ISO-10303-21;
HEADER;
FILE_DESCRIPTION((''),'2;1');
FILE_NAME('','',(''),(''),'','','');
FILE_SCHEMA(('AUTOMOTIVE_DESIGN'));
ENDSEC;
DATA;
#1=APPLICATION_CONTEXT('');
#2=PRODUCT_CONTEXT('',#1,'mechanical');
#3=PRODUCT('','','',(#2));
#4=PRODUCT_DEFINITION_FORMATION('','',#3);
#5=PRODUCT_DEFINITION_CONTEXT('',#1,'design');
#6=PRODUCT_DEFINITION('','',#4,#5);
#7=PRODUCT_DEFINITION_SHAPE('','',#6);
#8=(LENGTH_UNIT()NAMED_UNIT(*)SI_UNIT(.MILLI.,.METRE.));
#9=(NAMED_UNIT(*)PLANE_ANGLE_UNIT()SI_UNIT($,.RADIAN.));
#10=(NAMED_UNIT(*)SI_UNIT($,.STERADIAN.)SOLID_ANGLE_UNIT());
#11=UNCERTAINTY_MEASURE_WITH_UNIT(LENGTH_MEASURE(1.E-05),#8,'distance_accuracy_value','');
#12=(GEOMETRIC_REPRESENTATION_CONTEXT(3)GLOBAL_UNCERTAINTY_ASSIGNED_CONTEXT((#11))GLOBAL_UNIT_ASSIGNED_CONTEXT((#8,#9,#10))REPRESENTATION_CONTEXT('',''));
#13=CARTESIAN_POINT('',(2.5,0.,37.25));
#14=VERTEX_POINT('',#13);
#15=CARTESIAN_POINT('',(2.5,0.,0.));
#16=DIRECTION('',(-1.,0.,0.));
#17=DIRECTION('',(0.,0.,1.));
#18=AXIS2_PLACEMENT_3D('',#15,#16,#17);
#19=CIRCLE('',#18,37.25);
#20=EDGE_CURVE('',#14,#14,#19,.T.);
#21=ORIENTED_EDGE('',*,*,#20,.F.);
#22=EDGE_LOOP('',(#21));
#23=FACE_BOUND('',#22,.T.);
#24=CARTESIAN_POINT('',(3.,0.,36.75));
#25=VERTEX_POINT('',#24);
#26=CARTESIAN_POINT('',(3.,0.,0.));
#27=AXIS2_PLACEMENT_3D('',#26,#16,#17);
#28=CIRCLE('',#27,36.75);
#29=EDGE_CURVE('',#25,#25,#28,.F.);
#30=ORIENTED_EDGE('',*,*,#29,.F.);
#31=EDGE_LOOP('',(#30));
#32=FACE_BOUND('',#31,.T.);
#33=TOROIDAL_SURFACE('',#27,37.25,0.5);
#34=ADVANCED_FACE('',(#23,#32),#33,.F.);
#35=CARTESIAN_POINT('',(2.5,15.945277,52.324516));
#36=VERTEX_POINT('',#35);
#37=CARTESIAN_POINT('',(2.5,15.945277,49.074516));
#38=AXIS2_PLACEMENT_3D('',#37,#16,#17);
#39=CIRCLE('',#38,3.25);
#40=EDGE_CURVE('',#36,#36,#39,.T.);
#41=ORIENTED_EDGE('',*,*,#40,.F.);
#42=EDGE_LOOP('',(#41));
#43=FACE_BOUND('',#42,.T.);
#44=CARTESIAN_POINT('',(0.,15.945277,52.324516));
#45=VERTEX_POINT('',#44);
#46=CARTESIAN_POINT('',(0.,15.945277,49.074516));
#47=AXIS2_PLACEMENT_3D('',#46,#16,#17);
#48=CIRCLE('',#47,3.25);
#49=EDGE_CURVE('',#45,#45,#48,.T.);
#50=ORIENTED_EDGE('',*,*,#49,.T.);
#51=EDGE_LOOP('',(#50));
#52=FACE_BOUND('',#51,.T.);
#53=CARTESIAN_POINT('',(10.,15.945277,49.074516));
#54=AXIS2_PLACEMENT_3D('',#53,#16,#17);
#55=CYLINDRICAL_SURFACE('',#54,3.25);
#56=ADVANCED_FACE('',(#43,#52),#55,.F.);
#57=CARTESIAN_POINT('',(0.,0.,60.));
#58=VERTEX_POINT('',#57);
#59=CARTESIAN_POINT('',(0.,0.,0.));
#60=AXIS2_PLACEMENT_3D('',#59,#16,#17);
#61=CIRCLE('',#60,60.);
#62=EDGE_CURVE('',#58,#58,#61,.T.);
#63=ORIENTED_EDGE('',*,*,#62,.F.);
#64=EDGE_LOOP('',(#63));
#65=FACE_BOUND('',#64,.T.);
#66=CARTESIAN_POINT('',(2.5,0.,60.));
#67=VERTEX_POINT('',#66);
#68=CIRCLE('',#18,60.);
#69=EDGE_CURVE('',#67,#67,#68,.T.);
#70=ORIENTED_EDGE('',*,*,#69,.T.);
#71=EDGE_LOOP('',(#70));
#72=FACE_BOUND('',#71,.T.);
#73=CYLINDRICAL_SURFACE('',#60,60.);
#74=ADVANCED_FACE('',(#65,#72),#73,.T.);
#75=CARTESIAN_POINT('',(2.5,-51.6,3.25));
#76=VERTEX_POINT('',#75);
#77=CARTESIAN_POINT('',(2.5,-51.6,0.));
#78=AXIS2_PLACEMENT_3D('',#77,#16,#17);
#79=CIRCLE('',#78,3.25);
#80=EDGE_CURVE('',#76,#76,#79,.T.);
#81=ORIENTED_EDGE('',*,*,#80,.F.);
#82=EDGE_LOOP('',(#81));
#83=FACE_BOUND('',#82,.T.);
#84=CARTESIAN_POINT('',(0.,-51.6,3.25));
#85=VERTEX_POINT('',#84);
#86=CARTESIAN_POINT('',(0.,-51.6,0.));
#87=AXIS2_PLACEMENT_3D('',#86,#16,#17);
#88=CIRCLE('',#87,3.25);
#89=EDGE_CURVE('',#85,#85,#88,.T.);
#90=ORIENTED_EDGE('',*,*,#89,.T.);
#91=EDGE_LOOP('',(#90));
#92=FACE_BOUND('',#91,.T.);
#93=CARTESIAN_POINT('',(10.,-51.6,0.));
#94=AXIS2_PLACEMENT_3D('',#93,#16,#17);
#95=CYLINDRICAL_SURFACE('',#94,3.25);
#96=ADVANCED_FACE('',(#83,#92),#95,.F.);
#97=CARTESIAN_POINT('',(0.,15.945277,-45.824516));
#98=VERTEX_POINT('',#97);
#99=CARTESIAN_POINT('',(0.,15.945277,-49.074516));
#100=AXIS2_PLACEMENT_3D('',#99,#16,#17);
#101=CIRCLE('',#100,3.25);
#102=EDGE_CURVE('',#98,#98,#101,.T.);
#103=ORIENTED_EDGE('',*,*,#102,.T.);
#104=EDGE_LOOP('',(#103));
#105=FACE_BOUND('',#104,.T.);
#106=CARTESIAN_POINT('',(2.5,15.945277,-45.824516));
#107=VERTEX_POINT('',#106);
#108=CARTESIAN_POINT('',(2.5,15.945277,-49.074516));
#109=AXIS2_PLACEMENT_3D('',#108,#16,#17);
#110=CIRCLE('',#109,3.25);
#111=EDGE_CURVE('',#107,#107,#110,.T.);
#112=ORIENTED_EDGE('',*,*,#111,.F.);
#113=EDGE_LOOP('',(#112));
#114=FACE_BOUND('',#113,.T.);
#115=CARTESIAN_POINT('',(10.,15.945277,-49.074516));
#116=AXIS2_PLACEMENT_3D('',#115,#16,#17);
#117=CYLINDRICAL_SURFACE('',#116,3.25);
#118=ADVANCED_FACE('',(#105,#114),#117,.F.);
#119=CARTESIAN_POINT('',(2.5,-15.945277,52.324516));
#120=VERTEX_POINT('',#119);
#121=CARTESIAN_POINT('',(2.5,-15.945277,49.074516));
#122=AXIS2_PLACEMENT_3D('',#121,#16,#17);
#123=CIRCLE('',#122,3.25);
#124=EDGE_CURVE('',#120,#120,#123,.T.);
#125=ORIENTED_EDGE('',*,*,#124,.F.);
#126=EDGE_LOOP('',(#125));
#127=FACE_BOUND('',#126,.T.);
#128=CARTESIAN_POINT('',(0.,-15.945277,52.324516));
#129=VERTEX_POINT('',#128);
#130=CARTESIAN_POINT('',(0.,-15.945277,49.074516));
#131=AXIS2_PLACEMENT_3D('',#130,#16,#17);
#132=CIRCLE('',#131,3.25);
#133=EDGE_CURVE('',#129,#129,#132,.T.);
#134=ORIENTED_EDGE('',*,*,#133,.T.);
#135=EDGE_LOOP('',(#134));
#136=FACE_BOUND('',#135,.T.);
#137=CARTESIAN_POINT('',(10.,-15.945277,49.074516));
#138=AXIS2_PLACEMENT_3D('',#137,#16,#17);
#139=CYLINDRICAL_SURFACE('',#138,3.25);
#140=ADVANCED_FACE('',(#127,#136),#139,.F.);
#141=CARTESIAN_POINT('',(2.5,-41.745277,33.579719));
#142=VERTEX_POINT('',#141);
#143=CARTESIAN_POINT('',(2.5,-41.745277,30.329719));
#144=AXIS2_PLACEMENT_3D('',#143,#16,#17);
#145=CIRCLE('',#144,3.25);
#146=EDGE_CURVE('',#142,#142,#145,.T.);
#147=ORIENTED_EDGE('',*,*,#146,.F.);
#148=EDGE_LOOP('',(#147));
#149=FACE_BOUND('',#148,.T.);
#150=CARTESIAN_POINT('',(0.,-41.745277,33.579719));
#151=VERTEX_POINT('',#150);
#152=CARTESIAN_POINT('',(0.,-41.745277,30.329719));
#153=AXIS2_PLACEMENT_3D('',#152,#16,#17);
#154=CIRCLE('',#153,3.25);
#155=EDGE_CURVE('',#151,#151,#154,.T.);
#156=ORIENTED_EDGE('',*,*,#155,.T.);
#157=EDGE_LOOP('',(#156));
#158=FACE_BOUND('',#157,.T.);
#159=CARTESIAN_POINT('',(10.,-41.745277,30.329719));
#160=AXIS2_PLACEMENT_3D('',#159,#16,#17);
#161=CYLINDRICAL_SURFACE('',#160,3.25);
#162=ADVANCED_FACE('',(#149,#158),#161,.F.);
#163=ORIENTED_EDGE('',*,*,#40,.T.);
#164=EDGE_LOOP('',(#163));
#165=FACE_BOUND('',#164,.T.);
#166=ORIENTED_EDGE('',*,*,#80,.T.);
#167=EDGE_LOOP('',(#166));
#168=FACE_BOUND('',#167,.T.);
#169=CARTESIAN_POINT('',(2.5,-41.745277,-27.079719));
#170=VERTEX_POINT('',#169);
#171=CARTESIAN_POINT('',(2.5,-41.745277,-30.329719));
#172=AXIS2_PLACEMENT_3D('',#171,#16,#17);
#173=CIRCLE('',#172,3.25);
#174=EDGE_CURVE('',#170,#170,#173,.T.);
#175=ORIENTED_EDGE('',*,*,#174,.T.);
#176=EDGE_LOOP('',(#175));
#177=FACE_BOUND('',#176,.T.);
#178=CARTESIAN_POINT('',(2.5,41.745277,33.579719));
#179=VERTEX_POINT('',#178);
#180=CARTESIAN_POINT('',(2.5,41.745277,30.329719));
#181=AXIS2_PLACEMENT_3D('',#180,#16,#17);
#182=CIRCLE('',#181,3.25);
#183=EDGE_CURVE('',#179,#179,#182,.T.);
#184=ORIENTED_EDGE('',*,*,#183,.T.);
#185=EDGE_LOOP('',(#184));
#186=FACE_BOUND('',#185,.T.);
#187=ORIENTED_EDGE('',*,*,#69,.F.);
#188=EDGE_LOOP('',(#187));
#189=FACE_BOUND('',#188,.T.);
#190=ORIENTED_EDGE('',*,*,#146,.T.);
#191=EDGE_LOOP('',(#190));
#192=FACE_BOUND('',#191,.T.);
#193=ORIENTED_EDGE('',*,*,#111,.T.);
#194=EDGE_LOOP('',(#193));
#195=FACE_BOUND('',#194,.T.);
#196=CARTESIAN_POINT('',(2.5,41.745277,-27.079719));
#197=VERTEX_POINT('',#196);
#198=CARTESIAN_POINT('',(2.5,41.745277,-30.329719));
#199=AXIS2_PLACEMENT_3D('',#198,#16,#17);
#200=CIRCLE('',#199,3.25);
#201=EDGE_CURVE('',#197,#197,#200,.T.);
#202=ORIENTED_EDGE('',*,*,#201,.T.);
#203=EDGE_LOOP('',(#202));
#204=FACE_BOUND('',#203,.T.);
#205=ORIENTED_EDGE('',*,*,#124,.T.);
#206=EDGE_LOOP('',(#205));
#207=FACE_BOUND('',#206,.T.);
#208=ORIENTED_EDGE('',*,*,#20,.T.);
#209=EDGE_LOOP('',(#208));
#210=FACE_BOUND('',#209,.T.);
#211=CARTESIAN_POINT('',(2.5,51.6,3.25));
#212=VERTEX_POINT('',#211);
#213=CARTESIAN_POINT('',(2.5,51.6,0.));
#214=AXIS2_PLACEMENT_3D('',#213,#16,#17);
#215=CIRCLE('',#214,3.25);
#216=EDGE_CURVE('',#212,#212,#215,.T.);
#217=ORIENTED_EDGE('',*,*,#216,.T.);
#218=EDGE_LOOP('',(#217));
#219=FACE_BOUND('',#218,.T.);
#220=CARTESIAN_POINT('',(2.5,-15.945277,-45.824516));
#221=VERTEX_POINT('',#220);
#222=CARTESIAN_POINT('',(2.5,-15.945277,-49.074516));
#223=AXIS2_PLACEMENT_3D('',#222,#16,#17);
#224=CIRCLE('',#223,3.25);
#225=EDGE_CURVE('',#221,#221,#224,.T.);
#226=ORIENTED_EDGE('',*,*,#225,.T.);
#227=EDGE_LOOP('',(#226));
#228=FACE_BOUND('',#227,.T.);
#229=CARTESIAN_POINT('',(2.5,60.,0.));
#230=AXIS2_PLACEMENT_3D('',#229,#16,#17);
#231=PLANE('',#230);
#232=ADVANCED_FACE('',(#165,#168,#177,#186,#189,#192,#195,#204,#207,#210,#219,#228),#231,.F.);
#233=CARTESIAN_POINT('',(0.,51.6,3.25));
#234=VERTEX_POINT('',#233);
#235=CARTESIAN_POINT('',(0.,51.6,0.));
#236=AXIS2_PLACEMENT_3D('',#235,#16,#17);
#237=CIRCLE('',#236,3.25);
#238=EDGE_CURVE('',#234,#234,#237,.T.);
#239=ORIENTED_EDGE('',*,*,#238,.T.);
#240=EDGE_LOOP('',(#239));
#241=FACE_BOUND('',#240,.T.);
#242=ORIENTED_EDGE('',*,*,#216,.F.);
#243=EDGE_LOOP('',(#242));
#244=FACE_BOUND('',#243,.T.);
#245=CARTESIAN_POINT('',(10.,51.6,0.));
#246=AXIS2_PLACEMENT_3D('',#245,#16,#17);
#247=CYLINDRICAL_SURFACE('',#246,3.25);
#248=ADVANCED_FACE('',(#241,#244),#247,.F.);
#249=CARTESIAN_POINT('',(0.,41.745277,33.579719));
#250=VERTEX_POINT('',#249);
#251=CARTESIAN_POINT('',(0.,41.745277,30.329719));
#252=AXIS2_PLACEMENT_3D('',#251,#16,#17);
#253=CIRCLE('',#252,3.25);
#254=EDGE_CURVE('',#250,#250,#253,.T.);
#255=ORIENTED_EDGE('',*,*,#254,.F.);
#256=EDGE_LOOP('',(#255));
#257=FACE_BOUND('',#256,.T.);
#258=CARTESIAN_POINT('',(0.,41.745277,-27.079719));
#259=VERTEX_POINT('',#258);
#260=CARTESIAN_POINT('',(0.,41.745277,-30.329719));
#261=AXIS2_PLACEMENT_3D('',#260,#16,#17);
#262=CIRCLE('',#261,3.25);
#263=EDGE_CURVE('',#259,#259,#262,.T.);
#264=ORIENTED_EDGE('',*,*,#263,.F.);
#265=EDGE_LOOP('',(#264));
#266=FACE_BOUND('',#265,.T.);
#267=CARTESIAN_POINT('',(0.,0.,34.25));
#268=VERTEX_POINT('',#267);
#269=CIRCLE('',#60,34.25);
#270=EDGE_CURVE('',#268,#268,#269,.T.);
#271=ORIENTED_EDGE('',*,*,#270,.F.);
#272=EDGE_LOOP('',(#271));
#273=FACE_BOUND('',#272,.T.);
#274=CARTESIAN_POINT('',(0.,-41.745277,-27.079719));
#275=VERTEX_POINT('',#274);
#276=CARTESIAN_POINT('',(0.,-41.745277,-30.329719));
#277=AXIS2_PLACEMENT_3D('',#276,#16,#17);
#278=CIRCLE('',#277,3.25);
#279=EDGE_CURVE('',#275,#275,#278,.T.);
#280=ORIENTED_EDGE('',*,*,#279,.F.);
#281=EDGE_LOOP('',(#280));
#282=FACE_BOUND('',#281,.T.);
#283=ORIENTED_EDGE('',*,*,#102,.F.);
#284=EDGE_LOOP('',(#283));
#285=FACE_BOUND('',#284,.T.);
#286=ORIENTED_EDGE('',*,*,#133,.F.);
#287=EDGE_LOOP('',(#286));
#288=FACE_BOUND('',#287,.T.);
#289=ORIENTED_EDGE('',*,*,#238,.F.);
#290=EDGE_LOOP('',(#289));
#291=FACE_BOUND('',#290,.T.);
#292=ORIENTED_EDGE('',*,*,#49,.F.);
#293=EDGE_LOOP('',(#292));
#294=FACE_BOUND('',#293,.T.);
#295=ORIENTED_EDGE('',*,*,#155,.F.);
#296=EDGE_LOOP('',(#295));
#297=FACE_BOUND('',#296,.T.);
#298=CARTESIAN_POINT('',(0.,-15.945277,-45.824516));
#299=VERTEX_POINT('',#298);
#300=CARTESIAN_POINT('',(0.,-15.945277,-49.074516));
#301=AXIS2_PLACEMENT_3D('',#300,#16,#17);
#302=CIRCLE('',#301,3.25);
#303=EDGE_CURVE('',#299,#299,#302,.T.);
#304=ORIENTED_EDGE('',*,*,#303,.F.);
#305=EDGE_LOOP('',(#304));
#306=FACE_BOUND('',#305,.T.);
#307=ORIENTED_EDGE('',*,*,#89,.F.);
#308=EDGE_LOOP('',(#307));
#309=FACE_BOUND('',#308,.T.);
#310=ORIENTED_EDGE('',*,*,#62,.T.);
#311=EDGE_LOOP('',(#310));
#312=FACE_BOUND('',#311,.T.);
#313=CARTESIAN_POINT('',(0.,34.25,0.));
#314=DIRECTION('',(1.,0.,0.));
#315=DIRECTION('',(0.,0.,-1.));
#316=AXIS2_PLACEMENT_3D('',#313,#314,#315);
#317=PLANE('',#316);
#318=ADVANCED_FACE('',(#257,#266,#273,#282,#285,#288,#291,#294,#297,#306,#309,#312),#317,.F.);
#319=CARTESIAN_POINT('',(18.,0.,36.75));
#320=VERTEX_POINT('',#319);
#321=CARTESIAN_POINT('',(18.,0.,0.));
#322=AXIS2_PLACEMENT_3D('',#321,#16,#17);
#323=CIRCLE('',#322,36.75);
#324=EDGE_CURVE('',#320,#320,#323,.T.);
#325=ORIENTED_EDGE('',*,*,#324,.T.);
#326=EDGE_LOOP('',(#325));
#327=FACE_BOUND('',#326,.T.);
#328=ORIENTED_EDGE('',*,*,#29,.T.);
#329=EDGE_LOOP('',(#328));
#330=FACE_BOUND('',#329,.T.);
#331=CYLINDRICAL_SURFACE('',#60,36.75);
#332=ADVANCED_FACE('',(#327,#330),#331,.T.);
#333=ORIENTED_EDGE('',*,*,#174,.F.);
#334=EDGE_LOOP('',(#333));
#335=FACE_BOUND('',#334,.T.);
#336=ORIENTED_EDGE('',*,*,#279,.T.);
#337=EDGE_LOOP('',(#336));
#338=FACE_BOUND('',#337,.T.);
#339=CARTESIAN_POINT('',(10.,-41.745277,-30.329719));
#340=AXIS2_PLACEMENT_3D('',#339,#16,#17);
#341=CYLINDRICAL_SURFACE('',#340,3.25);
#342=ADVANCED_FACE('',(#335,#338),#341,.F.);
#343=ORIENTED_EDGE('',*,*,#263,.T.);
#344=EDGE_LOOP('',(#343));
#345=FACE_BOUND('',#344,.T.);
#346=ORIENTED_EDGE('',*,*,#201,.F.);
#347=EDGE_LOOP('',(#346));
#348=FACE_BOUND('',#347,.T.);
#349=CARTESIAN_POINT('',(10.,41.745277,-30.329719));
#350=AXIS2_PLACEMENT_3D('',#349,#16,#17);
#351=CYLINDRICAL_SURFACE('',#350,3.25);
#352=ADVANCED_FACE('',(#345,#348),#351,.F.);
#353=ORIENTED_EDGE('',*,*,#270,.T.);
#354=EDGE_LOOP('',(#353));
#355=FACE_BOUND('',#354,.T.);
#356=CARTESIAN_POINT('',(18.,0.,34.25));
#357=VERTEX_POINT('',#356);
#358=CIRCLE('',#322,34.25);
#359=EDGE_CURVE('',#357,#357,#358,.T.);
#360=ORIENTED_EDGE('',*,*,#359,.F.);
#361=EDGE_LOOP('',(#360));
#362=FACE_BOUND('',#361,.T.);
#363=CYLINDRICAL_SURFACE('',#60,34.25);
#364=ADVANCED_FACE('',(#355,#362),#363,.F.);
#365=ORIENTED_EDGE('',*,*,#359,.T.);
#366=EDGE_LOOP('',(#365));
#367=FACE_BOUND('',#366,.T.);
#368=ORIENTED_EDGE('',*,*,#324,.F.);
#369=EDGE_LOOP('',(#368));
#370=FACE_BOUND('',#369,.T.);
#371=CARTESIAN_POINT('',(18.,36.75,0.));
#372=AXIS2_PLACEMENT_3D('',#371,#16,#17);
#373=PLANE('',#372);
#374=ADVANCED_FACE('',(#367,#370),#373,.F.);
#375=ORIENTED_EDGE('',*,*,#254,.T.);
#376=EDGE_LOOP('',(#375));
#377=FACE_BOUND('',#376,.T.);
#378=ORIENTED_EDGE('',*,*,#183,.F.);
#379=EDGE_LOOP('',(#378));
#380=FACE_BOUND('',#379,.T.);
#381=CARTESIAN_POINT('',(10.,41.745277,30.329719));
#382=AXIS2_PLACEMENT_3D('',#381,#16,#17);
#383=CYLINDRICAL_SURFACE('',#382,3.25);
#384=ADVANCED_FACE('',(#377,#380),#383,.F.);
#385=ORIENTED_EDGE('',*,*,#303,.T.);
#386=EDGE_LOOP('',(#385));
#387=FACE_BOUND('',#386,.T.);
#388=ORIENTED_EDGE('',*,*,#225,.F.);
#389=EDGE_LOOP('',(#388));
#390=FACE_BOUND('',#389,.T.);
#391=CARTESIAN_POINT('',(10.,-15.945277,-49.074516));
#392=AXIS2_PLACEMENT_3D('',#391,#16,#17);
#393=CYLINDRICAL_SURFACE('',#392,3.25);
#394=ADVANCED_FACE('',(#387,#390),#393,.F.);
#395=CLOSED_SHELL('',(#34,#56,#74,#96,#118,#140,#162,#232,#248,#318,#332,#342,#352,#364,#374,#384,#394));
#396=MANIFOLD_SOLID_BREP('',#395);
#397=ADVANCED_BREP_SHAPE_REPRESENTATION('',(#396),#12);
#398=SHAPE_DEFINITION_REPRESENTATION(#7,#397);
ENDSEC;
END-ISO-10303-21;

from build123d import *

# Parameters (mm, degrees)
SKETCH4_R          = 3.25
CUT_EXTRUDE1_DEPTH = 10
FILLET2_R          = 0.5


with BuildPart() as part:
    # Sketch3 → Revolve1 (revolve)
    with BuildSketch(Plane.XY, mode=Mode.PRIVATE) as revolve1_sk:
        Polygon((0, 34.25), (0, 60), (2.5, 60), (2.5, 36.75), (18, 36.75), (18, 34.25), align=None)
    revolve(revolve1_sk.sketch.rotate(Axis((0, 0, 0), (1, 0, 0)), 90), axis=Axis((0, 0, 0), (1, 0, 0)))

    # Sketch4 → Cut-Extrude1 (cut)
    with BuildSketch(Plane.ZY):
        with Locations((30.329719018, 41.74527691)):
            Circle(SKETCH4_R)
        with Locations((0, 51.6)):
            Circle(SKETCH4_R)
        with Locations((49.074516241, 15.94527691)):
            Circle(SKETCH4_R)
        with Locations((49.074516241, -15.94527691)):
            Circle(SKETCH4_R)
        with Locations((30.329719018, -41.74527691)):
            Circle(SKETCH4_R)
        with Locations((0, -51.6)):
            Circle(SKETCH4_R)
        with Locations((-30.329719018, -41.74527691)):
            Circle(SKETCH4_R)
        with Locations((-49.074516241, -15.94527691)):
            Circle(SKETCH4_R)
        with Locations((-49.074516241, 15.94527691)):
            Circle(SKETCH4_R)
        with Locations((-30.329719018, 41.74527691)):
            Circle(SKETCH4_R)
    extrude(amount=-CUT_EXTRUDE1_DEPTH, mode=Mode.SUBTRACT)

    # Fillet2
    fillet2_edges = [part.edges().sort_by_distance(p)[0] for p in [
        (2.5, 0, -36.75),
    ]]
    fillet(fillet2_edges, radius=FILLET2_R)


solid = part.part
